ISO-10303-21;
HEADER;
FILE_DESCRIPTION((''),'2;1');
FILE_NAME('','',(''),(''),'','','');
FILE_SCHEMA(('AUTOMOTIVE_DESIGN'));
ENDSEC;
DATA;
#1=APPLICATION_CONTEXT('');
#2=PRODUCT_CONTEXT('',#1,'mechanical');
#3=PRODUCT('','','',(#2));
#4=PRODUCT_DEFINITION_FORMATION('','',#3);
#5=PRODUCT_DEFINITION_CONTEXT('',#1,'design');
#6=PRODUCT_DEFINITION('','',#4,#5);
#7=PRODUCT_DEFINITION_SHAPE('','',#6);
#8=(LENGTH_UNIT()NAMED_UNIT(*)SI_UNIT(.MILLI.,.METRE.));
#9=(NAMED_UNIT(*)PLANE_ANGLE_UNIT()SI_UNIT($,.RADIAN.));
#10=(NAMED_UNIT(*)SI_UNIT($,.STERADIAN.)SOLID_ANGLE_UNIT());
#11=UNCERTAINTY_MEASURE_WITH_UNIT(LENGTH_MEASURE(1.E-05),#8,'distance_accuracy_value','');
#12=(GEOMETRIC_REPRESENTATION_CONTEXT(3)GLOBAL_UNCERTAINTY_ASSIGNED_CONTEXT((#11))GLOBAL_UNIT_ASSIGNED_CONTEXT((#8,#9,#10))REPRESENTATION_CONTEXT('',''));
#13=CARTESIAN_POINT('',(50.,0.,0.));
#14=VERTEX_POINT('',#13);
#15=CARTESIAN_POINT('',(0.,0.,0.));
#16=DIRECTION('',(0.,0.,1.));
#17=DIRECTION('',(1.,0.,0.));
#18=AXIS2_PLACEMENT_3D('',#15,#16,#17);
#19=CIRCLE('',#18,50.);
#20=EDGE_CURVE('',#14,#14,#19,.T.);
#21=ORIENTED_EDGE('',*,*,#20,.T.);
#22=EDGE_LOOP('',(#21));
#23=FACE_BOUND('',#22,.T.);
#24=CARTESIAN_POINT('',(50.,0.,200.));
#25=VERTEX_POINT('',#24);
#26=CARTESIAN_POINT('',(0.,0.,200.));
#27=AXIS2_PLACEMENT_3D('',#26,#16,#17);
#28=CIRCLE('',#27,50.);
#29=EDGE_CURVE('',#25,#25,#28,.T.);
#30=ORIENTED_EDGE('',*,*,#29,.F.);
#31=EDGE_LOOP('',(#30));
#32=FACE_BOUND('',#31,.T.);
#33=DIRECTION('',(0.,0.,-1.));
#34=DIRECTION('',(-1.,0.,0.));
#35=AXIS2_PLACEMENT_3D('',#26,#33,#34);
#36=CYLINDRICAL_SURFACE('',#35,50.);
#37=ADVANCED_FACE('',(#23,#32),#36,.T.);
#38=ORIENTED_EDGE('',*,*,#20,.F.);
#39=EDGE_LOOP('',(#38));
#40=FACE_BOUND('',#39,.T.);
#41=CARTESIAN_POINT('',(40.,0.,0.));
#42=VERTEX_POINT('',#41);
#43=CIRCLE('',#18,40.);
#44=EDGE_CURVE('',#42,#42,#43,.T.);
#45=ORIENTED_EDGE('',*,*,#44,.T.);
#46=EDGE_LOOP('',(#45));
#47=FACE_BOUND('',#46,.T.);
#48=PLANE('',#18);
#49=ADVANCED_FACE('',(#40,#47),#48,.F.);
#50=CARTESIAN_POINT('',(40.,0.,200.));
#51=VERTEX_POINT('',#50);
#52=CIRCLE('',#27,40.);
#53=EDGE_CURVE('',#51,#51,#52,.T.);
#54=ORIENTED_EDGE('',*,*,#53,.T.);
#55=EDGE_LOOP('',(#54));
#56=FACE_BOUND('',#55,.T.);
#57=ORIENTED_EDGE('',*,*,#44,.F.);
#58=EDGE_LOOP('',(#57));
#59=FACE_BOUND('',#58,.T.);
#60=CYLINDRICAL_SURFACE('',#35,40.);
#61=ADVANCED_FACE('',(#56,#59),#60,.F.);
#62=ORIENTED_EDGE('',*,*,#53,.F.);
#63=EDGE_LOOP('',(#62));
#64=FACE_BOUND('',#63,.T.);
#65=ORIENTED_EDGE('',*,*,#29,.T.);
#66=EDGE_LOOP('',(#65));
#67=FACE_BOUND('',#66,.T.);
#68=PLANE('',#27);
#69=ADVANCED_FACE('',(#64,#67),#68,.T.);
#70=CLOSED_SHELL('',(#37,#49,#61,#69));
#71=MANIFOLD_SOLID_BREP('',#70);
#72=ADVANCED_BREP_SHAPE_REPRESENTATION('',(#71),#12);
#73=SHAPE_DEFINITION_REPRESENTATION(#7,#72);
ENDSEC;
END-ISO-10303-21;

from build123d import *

# Parameters (mm, degrees)
SKETCH1_R      = 50
SKETCH1_R_2    = 40
EXTRUDE1_DEPTH = 200


with BuildPart() as part:
    # Sketch1 → Extrude1 (new body)
    with BuildSketch(Plane.XY):
        Circle(SKETCH1_R)
        Circle(SKETCH1_R_2, mode=Mode.SUBTRACT)
    extrude(amount=EXTRUDE1_DEPTH)


solid = part.part
